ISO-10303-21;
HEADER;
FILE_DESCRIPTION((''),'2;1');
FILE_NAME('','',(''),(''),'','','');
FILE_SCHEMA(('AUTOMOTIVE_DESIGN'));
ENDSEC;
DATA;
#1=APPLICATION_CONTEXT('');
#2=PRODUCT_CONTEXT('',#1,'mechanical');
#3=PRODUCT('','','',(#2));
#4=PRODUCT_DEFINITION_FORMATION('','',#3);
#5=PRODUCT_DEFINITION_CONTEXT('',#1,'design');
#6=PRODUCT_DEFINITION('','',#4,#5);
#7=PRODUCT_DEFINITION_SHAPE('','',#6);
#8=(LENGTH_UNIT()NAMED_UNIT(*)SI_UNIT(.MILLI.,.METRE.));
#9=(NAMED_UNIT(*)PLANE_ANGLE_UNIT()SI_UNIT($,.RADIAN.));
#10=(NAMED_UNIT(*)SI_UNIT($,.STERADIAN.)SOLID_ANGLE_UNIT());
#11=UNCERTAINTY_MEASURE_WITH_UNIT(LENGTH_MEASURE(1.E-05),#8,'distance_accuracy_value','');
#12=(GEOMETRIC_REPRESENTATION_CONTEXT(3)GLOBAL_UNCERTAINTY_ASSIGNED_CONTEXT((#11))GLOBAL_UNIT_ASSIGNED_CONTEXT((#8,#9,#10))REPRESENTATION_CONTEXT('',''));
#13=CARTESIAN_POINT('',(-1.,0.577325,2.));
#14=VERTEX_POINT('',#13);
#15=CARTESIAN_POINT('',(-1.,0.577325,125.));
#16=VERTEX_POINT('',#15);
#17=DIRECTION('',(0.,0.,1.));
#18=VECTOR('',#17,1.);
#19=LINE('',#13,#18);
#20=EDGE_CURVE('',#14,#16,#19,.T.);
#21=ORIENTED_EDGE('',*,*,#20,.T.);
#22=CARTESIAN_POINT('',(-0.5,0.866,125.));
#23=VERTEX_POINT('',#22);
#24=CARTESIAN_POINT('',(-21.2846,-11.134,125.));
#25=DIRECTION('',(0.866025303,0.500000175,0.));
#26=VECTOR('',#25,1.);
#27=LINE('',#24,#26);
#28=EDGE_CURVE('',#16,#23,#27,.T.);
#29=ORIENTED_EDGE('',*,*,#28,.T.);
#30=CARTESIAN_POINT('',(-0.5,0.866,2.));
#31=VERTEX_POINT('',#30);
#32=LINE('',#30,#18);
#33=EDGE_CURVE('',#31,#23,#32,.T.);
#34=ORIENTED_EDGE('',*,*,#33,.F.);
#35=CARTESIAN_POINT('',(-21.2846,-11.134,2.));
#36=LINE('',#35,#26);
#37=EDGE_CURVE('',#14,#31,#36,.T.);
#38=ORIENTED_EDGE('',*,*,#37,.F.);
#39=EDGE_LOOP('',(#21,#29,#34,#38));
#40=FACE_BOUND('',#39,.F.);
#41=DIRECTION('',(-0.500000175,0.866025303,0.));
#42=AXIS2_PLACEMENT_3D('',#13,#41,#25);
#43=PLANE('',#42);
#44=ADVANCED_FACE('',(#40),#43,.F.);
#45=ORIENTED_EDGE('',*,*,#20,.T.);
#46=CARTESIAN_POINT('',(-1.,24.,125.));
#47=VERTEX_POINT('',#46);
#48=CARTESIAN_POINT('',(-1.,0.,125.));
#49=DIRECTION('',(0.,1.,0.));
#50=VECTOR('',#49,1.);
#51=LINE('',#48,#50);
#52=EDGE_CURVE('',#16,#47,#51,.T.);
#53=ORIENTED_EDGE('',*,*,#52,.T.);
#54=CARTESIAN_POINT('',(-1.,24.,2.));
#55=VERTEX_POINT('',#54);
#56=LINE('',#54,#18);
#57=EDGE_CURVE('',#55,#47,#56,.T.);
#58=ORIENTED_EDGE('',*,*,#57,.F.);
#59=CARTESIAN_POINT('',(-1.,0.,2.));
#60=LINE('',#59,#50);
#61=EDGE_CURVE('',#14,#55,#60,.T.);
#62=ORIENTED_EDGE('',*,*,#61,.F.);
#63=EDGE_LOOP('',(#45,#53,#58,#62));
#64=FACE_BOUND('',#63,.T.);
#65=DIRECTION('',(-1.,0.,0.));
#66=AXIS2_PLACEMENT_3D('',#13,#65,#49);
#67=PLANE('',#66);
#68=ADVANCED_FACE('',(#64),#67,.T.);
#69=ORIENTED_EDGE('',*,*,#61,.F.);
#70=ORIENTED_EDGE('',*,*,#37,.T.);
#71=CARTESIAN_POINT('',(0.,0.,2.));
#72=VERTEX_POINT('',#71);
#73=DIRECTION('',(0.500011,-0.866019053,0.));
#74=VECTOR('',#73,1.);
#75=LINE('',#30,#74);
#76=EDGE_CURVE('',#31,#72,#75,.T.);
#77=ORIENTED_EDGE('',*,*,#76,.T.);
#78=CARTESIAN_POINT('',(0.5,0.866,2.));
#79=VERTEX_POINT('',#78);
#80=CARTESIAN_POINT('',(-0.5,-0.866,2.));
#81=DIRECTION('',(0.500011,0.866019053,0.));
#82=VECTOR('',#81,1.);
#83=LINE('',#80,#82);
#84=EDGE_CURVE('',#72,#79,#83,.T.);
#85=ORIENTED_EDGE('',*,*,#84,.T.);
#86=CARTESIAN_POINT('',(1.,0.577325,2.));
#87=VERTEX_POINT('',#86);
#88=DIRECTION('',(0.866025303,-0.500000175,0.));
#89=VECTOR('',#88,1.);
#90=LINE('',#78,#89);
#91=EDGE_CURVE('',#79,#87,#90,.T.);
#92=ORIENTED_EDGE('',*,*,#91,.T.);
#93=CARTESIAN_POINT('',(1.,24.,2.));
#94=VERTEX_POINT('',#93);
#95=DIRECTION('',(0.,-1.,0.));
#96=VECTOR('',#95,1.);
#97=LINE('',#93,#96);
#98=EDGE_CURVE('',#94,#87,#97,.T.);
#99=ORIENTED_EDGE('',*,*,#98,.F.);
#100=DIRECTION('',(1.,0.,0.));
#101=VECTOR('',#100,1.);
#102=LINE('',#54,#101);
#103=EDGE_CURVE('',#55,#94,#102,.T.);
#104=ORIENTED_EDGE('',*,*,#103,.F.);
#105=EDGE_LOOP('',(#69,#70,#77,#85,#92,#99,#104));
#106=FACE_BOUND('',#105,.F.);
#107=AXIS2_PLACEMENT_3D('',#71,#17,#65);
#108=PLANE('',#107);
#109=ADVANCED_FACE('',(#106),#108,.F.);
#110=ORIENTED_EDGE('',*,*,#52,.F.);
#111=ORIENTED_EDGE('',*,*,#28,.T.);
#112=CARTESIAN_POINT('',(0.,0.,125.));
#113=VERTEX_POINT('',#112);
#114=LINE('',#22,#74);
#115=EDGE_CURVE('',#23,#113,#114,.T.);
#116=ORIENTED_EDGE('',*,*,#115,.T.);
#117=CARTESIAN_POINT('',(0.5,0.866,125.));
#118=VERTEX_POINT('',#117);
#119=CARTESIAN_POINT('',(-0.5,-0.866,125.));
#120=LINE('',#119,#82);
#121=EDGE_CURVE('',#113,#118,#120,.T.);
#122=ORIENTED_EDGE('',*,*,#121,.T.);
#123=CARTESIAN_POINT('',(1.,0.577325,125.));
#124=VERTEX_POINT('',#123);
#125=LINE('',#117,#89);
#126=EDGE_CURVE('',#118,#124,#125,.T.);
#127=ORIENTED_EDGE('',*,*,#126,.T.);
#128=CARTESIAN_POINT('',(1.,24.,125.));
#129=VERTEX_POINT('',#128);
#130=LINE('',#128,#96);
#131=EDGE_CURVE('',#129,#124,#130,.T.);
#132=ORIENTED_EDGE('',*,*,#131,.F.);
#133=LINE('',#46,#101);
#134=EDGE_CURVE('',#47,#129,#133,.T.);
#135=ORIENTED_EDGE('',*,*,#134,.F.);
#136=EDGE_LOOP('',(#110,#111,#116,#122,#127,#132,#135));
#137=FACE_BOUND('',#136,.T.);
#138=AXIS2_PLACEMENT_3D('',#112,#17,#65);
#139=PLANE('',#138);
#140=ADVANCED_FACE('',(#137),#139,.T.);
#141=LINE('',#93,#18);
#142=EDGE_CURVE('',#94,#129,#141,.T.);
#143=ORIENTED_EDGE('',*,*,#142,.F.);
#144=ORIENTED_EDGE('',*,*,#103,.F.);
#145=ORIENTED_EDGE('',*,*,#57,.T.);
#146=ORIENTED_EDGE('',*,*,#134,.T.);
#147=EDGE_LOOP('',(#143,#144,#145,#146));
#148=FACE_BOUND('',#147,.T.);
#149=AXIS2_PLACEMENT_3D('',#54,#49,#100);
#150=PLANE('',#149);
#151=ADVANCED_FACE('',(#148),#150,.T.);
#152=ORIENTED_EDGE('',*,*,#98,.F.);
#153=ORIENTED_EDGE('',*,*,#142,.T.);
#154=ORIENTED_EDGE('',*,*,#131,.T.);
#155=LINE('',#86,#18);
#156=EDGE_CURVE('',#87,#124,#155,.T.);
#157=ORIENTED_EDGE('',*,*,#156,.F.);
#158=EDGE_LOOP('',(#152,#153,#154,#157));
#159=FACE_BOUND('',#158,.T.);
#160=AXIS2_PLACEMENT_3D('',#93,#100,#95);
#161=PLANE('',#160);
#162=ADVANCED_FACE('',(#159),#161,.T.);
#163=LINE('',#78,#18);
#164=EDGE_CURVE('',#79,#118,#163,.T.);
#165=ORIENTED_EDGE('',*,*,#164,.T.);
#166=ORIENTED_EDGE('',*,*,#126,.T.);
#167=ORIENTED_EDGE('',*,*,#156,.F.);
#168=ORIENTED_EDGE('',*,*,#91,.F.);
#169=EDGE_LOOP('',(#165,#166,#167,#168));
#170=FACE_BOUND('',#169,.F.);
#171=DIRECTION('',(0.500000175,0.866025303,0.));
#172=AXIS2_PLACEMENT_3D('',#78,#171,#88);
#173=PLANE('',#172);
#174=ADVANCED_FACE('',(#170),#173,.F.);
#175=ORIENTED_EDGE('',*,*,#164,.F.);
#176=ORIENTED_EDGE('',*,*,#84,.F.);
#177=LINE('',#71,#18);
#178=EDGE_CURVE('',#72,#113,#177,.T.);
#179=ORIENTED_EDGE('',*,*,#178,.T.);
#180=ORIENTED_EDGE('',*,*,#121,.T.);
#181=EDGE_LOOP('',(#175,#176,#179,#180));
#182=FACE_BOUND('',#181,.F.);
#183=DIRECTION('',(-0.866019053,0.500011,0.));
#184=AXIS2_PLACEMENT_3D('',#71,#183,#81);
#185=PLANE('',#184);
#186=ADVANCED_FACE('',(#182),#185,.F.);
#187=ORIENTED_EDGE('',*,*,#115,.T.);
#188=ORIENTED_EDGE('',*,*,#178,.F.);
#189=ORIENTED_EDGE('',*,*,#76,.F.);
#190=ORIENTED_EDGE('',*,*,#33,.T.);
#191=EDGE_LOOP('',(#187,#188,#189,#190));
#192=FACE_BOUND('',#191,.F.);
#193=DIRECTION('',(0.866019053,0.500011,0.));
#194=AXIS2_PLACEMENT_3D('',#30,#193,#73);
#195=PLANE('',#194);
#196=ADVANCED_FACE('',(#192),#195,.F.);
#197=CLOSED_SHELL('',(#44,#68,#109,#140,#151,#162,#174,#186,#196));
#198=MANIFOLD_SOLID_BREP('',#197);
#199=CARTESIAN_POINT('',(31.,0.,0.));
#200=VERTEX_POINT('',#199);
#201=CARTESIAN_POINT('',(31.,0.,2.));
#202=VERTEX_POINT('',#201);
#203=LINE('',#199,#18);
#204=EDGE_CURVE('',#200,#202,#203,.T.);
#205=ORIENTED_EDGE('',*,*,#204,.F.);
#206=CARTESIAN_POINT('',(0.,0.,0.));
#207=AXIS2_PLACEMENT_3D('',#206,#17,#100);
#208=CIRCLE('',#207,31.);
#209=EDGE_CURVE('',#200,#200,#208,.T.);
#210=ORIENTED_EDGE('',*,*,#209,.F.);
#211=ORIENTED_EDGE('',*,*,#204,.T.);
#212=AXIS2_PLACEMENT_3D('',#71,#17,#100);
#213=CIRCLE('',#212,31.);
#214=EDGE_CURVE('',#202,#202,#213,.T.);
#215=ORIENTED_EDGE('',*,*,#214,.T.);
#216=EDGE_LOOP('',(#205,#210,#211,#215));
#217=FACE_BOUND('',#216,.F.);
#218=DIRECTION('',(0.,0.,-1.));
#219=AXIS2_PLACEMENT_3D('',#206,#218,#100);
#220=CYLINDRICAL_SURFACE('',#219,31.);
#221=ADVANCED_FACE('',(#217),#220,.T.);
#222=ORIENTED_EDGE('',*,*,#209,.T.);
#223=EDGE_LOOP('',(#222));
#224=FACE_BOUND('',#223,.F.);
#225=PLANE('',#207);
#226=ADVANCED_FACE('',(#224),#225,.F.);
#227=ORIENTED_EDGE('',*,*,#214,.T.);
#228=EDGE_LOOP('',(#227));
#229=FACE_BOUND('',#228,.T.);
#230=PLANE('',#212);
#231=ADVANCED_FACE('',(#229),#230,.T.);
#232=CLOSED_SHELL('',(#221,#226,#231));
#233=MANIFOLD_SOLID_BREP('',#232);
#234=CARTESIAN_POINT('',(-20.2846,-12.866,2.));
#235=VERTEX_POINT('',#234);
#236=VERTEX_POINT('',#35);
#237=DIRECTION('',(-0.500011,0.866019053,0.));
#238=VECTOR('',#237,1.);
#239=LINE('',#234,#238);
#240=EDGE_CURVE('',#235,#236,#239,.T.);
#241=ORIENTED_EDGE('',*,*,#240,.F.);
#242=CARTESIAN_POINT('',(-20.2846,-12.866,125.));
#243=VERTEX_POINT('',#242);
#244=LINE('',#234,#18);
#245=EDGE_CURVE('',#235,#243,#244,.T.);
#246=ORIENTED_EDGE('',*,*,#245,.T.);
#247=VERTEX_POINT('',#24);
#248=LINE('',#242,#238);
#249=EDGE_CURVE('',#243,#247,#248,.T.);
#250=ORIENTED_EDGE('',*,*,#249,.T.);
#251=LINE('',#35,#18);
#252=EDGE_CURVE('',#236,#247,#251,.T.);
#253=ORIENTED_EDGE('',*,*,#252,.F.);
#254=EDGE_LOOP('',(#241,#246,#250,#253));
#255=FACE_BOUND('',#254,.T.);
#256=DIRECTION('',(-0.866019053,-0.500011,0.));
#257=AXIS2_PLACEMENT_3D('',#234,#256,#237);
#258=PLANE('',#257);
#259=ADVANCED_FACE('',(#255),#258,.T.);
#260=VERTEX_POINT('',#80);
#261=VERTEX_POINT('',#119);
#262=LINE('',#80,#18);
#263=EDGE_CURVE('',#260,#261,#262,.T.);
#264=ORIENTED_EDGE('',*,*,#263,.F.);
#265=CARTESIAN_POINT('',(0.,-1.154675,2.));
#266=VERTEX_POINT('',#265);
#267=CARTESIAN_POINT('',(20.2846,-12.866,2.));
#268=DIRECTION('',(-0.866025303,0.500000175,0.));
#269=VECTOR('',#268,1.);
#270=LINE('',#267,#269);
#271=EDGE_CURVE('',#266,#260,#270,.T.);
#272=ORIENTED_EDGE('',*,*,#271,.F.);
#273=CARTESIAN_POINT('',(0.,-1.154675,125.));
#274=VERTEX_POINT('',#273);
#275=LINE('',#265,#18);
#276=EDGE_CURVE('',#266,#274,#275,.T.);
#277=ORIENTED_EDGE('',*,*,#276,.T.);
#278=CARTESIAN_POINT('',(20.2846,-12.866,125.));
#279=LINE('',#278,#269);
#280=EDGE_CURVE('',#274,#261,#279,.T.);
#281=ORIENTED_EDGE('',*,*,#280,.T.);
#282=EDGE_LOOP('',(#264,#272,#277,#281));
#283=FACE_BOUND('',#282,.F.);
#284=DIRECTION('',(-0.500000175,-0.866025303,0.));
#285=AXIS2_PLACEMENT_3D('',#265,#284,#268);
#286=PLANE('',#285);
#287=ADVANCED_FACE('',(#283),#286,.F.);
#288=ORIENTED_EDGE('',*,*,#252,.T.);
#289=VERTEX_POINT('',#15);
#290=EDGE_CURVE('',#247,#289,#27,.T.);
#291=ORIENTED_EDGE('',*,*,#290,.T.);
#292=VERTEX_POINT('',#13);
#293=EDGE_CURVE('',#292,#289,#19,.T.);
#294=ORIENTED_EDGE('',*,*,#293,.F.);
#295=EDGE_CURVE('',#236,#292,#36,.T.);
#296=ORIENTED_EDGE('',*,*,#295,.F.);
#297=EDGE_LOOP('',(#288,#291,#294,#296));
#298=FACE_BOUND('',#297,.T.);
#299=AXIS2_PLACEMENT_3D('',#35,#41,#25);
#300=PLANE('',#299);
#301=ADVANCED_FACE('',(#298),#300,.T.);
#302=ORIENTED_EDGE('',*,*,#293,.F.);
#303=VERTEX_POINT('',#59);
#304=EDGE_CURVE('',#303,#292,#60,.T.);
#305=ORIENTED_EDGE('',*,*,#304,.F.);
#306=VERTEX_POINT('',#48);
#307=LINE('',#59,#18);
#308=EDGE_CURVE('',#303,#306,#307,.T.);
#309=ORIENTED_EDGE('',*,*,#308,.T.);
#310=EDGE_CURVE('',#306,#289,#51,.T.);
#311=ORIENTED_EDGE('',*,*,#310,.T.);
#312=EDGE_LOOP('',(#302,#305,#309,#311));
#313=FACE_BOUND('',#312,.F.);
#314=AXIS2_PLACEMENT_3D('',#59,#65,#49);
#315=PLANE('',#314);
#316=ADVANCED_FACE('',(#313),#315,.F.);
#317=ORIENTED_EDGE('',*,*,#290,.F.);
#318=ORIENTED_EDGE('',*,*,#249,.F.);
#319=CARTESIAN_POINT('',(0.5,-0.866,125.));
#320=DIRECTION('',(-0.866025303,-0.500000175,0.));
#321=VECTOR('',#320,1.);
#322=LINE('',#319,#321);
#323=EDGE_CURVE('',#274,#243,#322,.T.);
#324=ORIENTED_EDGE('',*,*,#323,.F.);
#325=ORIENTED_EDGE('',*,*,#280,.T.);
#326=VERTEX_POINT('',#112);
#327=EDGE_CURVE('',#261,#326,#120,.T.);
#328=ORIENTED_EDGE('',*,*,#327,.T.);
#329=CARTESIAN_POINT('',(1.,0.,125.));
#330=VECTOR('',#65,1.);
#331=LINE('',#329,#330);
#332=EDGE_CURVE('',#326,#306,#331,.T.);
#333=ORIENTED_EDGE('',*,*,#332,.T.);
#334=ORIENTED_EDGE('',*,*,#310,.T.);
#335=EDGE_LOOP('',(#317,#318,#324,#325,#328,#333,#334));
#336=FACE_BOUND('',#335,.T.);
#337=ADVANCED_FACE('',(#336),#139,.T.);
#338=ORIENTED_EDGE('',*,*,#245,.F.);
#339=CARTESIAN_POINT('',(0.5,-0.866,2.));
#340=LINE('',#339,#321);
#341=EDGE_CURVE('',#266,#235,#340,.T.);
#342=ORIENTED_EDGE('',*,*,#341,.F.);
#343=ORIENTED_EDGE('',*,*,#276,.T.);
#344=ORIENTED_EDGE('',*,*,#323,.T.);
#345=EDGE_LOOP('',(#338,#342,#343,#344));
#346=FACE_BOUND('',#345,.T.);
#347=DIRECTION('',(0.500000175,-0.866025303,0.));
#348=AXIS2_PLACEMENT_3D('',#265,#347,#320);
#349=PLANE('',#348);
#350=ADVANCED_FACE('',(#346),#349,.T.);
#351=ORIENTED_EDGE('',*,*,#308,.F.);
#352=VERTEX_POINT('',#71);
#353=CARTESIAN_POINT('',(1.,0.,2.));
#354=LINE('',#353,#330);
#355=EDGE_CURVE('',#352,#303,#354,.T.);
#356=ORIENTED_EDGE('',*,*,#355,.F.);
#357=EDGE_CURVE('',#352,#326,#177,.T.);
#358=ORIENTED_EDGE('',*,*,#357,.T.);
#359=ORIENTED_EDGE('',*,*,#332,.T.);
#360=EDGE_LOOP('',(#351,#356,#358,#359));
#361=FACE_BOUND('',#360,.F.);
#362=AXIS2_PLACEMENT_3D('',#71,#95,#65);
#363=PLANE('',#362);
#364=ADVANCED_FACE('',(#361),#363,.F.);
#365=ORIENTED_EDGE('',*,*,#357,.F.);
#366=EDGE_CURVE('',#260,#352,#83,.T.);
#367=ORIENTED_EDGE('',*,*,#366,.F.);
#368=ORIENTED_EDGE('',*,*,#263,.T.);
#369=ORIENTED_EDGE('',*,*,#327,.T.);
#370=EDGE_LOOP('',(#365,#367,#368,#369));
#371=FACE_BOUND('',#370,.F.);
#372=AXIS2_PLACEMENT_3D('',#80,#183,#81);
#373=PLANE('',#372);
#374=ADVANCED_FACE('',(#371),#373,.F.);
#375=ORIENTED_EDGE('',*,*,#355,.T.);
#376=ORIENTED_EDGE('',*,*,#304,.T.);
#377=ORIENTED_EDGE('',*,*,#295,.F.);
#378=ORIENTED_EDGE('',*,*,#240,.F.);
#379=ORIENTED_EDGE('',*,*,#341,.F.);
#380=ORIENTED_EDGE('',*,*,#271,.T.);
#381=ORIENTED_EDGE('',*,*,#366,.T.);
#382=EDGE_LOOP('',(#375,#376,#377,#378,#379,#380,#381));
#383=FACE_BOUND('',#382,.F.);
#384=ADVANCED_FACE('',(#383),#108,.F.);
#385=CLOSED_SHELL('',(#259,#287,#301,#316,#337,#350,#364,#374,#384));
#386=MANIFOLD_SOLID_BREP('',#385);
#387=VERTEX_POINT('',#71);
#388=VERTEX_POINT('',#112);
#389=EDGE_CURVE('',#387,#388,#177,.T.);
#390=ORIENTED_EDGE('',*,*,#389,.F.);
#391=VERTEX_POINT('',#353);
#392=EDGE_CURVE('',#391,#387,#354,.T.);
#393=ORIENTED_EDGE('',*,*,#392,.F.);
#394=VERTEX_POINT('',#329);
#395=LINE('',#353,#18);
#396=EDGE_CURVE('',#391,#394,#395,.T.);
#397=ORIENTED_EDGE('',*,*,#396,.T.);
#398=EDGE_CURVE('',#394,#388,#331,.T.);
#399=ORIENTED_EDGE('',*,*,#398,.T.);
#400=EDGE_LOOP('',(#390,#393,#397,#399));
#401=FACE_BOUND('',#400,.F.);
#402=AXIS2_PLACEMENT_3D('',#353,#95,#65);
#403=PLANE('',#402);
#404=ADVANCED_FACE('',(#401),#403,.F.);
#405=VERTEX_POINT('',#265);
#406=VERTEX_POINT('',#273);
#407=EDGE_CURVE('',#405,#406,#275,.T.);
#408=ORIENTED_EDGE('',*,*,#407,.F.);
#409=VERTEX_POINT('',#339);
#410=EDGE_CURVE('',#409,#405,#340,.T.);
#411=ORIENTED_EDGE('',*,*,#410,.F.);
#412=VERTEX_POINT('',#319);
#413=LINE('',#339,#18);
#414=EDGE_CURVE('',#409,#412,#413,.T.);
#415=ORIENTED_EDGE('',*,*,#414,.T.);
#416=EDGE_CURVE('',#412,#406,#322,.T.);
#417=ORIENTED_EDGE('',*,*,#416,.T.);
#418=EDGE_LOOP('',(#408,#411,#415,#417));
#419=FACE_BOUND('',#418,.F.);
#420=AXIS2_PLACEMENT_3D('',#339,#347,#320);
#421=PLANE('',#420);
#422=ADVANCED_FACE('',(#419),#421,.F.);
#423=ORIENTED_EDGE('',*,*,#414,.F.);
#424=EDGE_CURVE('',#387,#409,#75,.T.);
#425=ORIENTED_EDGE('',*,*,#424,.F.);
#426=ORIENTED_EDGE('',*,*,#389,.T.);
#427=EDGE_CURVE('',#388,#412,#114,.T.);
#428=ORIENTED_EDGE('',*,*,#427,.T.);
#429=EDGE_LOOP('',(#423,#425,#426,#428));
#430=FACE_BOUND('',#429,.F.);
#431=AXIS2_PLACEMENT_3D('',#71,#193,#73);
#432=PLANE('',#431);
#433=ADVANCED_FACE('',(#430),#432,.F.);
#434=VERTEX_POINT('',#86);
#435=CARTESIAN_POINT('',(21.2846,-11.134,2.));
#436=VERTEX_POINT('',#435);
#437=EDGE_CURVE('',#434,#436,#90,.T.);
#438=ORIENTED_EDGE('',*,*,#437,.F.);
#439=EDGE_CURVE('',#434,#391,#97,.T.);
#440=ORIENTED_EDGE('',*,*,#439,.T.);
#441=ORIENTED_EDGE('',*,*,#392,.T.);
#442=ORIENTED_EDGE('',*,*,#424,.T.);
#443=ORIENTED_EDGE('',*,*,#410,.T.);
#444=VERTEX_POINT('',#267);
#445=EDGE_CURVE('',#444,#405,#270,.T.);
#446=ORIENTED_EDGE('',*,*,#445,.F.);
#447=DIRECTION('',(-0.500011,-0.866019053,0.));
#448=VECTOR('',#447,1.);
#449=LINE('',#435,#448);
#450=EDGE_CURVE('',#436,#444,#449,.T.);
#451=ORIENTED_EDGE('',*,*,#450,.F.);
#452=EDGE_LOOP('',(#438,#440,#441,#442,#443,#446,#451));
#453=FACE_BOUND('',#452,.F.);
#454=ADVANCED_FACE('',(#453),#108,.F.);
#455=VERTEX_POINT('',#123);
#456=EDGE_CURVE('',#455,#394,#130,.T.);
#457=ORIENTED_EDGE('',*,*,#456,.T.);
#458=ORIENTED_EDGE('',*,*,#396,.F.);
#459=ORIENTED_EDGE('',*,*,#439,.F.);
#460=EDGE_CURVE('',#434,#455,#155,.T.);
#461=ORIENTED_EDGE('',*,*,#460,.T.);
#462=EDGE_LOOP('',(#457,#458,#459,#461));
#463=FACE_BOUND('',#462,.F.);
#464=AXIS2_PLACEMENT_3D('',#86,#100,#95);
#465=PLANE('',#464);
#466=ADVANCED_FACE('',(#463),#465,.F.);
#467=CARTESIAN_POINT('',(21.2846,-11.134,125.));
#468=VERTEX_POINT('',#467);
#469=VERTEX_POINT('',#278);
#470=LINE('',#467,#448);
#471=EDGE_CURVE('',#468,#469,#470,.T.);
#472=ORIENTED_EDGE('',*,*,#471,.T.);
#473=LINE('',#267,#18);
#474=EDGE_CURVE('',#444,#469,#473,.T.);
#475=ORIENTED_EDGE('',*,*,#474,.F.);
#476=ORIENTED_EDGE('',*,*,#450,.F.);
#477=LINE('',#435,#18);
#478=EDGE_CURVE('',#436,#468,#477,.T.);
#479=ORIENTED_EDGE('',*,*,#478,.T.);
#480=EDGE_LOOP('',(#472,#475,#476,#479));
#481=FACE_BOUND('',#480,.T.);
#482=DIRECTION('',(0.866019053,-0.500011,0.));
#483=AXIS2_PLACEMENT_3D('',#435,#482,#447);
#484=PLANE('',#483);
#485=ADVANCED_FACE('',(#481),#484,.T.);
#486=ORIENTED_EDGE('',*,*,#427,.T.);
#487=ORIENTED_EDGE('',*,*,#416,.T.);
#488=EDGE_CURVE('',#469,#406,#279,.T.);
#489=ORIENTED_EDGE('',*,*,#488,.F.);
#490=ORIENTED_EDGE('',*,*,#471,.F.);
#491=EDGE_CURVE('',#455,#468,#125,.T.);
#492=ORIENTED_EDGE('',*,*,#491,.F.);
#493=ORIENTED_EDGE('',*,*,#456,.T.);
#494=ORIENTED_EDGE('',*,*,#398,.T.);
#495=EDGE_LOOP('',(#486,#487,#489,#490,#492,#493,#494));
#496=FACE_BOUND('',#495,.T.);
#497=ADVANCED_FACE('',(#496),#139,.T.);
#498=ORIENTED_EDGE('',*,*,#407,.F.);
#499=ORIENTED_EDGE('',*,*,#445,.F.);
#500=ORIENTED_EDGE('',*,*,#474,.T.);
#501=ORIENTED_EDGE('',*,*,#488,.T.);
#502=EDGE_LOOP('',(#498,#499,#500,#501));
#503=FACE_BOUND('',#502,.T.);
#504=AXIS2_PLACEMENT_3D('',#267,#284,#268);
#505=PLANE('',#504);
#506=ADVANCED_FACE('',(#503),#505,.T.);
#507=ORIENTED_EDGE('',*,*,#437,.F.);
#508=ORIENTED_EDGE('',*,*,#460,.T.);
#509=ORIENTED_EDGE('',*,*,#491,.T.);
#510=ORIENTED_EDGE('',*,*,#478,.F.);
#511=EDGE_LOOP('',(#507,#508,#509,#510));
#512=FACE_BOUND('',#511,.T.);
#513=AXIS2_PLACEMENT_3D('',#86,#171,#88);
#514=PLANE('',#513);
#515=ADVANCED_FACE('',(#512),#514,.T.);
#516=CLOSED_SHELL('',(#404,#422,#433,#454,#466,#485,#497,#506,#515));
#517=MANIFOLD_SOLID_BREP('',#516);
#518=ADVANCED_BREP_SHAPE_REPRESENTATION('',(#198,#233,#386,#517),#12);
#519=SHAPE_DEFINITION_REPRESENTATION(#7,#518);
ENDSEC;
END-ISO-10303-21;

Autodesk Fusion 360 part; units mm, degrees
sketch "Sketch1" plane through (0, 0, 0) normal (0, 0, 1) x (1, 0, 0)
  circle A0 centre (0, 0) radius 31
  dimension "d1" = 62
extrude "Extrude1" add sketch "Sketch1" along normal blind 2 makes body 1
sketch "Sketch2" plane through (0, 0, 2) normal (0, 0, 1) x (-1, 0, 0)
  circle A0 centre (0, 0) radius 31
  line L0 (-1, 0) -> (1, 0)
  line L1 (1, 0) -> (1, -24)
  line L2 (1, -24) -> (-1, -24)
  line L3 (-1, -24) -> (-1, 0)
  line L4 (21.2846, 11.134) -> (0.5, -0.866)
  line L5 (20.2846, 12.866) -> (21.2846, 11.134)
  line L6 (-0.5, 0.866) -> (20.2846, 12.866)
  line L7 (0.5, -0.866) -> (-0.5, 0.866)
  line L8 (-20.2846, 12.866) -> (0.5, 0.866)
  line L9 (-21.2846, 11.134) -> (-20.2846, 12.866)
  line L10 (-0.5, -0.866) -> (-21.2846, 11.134)
  line L11 (0.5, 0.866) -> (-0.5, -0.866)
  dimension "d7" = 360
extrude "Extrude2" add sketch "Sketch2" along normal blind 123 separate body contours L0 L3 L6 L7 L8 L9 L10 | L0 L1 L4 L5 L6 L8 L11 | L1 L2 L3 L4 L7 L10 L11 makes body 2 at (-6.7615, -5.0585, 43)
